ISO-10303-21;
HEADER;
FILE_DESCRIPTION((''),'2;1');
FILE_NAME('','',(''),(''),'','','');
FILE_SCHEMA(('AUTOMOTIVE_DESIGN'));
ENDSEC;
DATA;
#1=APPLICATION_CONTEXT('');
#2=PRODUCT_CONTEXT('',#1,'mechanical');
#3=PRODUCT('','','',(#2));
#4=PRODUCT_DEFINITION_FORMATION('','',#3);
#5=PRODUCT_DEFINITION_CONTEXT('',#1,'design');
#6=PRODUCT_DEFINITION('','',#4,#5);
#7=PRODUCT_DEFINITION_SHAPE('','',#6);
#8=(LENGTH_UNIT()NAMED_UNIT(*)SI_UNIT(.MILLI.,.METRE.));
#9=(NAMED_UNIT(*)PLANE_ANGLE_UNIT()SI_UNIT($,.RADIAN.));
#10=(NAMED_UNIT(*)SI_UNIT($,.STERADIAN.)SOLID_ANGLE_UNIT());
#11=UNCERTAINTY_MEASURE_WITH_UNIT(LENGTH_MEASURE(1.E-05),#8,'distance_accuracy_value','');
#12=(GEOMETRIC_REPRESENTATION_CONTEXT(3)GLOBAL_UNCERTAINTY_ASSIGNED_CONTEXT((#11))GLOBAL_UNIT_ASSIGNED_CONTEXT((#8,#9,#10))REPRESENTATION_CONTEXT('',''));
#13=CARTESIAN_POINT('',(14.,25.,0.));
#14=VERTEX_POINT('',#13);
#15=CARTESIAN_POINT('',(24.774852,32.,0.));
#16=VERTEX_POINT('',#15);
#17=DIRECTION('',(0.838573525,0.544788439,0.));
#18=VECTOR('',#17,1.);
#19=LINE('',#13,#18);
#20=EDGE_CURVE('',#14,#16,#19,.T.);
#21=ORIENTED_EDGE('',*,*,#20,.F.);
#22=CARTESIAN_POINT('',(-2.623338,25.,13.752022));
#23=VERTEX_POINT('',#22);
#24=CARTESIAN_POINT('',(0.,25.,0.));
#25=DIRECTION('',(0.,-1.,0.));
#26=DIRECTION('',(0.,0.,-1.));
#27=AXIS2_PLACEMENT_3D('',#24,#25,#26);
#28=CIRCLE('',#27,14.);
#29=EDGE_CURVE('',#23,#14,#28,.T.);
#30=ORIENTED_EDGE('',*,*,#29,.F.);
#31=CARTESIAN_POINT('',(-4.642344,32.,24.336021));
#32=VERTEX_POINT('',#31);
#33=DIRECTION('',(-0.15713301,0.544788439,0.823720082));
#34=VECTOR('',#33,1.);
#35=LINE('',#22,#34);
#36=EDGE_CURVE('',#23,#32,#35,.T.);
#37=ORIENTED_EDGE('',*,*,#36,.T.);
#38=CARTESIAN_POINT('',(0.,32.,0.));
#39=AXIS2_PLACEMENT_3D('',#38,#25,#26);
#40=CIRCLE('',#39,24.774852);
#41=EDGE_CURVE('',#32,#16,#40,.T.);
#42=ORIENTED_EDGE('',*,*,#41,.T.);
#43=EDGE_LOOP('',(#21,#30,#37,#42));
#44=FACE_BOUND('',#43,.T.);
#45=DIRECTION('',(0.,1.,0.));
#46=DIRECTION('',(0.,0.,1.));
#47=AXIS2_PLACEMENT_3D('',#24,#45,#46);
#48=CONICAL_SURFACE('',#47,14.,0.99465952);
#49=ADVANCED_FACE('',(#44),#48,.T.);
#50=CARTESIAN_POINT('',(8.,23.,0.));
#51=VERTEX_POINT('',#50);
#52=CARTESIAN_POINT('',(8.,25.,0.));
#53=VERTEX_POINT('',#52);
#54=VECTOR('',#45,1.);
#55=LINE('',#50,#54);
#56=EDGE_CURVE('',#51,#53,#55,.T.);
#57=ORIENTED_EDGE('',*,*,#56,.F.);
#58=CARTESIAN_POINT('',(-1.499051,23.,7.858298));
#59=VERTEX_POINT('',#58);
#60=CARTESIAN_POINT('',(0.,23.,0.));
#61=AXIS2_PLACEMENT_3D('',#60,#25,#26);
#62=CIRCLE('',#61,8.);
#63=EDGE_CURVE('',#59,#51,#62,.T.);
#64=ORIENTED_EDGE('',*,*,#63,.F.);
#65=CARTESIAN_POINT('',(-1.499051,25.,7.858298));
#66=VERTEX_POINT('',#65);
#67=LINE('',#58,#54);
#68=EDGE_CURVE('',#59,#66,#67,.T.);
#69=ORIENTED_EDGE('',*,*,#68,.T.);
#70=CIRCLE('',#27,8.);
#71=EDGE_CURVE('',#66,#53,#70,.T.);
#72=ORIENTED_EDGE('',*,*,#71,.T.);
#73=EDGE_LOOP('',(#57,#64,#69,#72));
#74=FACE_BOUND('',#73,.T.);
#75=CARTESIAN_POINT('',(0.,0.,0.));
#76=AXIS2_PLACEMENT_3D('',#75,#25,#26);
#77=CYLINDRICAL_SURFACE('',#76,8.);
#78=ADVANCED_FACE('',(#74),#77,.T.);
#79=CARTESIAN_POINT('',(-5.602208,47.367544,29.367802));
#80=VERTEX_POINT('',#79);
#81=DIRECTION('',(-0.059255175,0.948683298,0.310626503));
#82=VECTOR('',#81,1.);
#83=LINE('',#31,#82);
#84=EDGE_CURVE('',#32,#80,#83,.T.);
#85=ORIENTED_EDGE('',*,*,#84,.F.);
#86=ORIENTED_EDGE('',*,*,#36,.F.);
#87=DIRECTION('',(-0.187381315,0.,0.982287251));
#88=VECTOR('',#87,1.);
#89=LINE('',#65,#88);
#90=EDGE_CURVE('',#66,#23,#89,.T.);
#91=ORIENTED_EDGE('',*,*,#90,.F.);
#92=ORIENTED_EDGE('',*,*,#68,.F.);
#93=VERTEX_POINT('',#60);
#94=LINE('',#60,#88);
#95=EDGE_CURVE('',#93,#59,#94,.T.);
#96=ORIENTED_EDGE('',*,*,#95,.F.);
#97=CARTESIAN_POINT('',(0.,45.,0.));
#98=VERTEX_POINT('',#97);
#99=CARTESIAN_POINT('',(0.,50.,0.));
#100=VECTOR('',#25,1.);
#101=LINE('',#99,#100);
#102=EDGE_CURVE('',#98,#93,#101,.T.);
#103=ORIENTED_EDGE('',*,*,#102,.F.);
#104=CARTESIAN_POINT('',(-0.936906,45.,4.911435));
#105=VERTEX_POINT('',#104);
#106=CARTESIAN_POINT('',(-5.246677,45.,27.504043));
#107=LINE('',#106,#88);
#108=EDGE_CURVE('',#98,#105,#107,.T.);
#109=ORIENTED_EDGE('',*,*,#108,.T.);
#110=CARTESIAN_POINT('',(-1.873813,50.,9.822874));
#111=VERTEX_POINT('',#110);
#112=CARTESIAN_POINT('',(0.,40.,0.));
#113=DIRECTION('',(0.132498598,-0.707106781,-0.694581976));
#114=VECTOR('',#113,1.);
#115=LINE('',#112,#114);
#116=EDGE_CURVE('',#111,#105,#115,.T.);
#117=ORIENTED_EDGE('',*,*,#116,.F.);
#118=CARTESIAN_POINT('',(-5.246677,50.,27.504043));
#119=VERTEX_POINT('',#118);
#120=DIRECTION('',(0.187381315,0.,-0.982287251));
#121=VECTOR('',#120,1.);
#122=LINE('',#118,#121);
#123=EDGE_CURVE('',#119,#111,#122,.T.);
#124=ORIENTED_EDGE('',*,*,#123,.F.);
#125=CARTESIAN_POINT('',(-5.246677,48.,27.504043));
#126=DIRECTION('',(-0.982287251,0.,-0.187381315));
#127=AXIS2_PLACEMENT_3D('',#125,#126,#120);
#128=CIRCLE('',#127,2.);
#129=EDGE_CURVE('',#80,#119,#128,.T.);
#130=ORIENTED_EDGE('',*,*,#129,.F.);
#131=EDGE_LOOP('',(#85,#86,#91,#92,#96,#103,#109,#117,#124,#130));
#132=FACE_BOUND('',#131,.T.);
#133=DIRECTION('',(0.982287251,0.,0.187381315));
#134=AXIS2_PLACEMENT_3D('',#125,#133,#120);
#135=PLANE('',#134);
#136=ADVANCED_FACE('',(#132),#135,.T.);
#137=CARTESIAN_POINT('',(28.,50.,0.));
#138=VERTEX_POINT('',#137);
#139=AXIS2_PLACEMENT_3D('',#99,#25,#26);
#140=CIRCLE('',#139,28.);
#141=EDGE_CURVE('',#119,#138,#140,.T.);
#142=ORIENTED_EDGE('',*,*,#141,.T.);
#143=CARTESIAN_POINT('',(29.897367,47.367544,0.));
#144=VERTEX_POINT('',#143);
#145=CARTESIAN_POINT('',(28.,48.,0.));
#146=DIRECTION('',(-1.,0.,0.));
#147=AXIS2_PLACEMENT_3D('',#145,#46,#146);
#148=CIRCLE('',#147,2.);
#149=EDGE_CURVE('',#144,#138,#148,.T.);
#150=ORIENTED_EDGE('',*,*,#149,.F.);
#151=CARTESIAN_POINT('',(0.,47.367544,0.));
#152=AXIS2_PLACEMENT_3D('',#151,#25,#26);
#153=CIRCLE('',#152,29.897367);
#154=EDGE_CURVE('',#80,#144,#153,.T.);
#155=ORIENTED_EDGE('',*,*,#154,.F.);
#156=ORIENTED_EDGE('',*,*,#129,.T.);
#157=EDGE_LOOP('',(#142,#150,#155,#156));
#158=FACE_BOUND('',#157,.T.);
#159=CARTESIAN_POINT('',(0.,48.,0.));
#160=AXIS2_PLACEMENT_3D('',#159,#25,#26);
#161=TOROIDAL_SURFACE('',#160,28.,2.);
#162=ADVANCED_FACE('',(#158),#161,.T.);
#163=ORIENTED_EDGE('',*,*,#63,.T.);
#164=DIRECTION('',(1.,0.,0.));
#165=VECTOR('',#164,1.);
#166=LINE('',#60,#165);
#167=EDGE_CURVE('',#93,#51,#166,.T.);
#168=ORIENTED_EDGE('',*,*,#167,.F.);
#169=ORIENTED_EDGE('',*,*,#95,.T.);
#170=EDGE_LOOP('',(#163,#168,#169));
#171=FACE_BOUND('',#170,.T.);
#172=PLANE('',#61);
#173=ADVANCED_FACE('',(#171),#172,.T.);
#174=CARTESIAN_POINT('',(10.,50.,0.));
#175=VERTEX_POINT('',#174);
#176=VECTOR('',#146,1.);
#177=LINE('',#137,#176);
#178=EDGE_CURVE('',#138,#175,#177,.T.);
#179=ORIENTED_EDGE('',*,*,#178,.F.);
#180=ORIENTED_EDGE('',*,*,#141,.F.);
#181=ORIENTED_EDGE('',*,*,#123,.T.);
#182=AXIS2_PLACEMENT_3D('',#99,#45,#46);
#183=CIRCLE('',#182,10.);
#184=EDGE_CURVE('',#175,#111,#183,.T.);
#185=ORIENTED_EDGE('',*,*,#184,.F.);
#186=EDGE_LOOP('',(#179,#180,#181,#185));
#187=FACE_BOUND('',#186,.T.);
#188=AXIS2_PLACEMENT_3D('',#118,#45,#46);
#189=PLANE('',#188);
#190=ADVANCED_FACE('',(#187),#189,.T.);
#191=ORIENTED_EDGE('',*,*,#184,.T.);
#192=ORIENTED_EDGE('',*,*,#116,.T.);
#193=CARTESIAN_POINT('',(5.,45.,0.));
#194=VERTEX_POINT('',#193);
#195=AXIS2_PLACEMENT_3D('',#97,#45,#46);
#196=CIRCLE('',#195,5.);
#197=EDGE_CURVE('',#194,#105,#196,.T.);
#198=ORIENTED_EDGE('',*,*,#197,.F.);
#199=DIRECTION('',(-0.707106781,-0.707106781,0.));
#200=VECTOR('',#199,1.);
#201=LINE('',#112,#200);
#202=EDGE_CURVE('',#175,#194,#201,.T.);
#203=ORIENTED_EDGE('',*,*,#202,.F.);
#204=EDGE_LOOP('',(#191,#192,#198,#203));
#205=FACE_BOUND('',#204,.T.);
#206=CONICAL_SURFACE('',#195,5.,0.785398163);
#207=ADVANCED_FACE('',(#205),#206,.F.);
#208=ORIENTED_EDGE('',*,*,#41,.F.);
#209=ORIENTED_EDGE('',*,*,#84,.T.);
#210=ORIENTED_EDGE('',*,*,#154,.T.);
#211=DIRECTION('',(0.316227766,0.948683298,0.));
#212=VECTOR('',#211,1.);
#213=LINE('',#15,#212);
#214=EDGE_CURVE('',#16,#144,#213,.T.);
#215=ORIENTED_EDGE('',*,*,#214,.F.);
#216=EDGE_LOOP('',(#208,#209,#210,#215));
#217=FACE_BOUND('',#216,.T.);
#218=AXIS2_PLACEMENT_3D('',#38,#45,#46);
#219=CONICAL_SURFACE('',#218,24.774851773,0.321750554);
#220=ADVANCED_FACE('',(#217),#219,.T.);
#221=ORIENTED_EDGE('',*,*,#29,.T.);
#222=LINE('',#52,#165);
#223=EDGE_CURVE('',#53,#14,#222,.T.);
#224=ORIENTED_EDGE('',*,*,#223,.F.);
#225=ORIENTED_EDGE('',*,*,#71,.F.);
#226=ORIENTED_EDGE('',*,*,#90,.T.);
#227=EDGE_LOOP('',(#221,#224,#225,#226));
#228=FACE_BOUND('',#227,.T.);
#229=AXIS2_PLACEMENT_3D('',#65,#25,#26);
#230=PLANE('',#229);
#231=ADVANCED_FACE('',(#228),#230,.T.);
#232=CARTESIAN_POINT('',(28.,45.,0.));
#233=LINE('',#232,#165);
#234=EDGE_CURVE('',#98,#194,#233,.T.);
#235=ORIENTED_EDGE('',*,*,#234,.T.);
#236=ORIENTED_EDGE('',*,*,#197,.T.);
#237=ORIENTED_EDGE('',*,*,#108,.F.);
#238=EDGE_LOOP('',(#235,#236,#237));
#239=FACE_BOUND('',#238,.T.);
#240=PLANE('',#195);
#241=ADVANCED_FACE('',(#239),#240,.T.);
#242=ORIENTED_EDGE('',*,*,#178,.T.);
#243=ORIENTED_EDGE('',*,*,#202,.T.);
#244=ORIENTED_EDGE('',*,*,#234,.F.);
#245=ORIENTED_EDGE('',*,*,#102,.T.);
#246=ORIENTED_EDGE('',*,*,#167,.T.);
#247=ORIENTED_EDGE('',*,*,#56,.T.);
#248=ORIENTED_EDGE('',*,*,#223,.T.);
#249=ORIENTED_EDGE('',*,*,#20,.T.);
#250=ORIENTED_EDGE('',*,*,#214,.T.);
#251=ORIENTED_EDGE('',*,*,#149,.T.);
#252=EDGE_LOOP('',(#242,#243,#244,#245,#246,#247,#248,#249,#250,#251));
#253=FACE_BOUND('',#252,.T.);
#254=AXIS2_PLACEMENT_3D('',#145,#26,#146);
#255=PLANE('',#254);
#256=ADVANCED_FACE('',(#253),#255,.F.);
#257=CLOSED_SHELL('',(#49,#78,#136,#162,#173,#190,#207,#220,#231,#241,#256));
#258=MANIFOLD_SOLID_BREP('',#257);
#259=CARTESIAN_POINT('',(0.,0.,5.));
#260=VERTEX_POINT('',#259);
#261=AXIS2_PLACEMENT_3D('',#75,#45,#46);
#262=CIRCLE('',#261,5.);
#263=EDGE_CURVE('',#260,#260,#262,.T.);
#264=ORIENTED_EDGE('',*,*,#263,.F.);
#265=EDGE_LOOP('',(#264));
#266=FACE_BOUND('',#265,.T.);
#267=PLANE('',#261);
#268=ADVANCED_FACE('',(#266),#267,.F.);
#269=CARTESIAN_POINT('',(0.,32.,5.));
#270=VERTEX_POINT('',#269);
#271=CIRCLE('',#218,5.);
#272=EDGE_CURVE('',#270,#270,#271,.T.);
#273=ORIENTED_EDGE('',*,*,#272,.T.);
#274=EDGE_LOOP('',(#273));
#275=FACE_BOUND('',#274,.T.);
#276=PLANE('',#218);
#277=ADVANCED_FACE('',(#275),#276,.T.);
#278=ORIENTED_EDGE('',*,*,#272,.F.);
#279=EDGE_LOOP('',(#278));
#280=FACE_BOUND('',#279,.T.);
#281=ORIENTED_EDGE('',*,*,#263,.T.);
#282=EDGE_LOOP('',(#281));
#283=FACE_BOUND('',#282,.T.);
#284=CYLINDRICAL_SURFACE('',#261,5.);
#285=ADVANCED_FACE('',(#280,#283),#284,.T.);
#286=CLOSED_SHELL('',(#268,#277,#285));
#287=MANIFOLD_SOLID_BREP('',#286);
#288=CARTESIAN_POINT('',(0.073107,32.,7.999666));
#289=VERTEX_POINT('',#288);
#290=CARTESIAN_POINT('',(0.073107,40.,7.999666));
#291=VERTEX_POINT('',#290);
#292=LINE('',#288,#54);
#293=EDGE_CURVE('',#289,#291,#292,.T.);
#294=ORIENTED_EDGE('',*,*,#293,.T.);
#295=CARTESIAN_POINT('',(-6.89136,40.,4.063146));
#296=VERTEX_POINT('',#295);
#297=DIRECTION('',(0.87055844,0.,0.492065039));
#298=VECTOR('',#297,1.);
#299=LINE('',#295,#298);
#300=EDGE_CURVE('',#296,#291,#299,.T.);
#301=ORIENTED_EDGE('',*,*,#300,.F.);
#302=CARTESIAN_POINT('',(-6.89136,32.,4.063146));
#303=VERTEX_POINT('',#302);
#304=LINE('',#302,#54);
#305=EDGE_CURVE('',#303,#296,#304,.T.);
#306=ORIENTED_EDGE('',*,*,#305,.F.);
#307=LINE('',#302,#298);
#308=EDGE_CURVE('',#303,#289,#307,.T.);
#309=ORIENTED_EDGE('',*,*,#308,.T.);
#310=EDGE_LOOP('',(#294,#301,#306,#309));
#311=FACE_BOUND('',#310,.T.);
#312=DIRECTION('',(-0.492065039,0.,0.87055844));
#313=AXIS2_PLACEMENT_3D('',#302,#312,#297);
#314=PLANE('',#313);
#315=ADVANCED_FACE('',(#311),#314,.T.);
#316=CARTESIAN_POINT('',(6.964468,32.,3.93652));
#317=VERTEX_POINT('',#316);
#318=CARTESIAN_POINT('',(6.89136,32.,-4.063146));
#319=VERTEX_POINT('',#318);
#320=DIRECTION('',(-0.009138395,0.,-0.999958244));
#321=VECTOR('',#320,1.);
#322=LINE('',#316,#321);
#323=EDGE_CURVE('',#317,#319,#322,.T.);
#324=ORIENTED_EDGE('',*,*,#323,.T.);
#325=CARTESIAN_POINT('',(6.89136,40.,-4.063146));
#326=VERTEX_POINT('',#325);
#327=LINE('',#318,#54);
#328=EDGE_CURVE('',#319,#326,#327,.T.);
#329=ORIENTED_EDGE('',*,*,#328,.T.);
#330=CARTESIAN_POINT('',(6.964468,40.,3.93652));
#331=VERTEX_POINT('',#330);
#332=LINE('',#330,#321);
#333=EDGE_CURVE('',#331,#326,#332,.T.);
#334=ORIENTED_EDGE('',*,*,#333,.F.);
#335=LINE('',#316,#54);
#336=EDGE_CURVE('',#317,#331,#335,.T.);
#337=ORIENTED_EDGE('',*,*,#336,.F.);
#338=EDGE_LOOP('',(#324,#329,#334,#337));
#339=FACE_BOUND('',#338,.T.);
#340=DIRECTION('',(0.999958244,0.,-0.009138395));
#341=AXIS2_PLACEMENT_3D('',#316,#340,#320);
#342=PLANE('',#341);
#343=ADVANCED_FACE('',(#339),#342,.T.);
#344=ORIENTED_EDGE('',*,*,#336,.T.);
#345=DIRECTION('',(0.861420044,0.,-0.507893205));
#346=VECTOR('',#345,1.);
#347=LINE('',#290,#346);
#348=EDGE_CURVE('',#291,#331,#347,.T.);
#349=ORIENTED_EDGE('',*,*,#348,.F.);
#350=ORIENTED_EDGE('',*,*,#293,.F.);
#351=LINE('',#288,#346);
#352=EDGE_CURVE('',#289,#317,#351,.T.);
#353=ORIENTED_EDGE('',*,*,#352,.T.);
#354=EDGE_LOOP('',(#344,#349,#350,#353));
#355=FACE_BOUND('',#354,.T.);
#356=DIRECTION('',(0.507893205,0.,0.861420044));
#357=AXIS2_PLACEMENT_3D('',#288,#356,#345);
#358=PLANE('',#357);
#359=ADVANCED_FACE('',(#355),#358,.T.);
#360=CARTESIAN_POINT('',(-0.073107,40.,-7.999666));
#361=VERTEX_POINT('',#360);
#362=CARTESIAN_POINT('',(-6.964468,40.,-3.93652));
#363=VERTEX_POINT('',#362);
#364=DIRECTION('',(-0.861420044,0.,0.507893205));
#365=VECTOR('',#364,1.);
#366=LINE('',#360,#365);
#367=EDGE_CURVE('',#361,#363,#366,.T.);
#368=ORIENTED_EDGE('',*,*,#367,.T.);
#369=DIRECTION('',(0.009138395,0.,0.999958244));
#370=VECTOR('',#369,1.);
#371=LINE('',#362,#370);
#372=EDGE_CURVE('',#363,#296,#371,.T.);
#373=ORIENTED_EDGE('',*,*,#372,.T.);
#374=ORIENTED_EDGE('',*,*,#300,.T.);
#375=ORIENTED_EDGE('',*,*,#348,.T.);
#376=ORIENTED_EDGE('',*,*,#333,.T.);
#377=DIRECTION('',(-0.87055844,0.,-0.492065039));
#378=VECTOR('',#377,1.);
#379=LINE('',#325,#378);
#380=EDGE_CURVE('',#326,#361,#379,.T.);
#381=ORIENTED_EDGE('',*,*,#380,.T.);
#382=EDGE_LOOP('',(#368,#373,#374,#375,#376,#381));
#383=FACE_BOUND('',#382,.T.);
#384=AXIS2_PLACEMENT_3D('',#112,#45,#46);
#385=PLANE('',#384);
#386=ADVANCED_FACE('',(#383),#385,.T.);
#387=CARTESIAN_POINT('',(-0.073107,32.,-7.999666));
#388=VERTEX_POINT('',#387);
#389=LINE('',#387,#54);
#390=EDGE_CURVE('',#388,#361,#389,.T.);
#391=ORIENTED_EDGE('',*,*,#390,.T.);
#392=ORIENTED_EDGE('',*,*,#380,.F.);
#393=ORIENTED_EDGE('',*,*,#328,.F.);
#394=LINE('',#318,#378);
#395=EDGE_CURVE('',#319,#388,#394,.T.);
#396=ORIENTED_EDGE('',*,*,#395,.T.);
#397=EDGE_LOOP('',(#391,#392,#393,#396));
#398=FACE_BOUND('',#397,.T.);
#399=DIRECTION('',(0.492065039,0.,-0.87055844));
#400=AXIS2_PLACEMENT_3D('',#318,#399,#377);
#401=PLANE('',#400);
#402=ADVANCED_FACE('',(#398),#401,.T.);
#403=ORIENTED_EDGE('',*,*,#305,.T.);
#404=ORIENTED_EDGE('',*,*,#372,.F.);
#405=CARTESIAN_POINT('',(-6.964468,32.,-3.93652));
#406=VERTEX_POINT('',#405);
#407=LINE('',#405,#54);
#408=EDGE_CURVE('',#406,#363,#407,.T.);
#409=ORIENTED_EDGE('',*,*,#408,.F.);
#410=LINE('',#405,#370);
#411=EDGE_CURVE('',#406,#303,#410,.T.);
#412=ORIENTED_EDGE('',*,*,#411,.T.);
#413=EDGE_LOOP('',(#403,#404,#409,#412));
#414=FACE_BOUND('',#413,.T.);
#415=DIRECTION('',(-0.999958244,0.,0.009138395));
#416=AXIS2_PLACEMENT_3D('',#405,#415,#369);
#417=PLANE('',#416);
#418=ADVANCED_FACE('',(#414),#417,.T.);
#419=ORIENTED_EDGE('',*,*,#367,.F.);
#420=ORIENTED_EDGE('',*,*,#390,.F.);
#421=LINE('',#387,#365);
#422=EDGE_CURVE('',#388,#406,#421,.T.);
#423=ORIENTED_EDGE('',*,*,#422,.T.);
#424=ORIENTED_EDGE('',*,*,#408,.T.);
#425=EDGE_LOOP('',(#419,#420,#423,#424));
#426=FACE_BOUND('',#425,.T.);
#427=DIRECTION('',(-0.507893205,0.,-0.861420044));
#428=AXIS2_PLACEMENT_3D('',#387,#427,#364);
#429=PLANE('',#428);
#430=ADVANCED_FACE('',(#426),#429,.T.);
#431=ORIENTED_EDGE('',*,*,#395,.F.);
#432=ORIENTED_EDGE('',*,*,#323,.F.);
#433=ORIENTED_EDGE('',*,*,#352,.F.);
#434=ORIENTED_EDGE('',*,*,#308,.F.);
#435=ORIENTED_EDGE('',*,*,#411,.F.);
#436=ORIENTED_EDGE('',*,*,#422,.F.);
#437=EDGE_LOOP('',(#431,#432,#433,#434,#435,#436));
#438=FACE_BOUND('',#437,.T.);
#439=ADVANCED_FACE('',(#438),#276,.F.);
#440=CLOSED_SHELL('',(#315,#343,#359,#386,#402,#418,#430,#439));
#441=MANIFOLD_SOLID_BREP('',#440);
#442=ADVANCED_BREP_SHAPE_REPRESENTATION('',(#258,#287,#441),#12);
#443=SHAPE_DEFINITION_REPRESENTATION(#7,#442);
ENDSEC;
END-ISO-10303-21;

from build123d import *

# Parameters (mm, degrees)
REVOLVE_2_ANGLE = 259.2
SKETCH_5_R      = 10
SKETCH_6_R      = 5
EXTRUDE_1_DEPTH = 8
SKETCH_8_R      = 5
EXTRUDE_2_DEPTH = 32


with BuildPart() as part:
    # Эскиз4 → Повернуть2 (revolve)
    with BuildSketch(Plane.XY):
        with BuildLine():
            Line((0, 23), (8, 23))
            Line((8, 23), (8, 25))
            Line((8, 25), (14, 25))
            Line((14, 25), (24.774851773, 32))
            Line((24.774851773, 32), (29.897366596, 47.367544468))
            ThreePointArc((29.897366596, 47.367544468), (29.62248437, 49.169420569), (28, 50))
            Line((28, 50), (0, 50))
            Line((0, 50), (0, 23))
        make_face()
    revolve(axis=Axis((0, 0, 0), (0, 1, 0)), revolution_arc=REVOLVE_2_ANGLE)

    # Эскиз5 → Вырез-По сечениям1 section 0
    with BuildSketch(Plane(origin=(0, 50, 0), x_dir=(1, 0, 0), z_dir=(0, 1, 0))):
        Circle(SKETCH_5_R)
    # Эскиз6 → Вырез-По сечениям1 section 1
    with BuildSketch(Plane(origin=(0, 45, 0), x_dir=(1, 0, 0), z_dir=(0, 1, 0))):
        Circle(SKETCH_6_R)
    loft(mode=Mode.SUBTRACT)


with BuildPart() as body_2:
    # Эскиз7 → Бобышка-Вытянуть1 (new body)
    with BuildSketch(Plane(origin=(0, 40, 0), x_dir=(1, 0, 0), z_dir=(0, 1, 0))):
        Polygon((-0.073107163, 7.999665952), (-6.964467518, 3.936520315), (-6.891360355, -4.063145636), (0.073107163, -7.999665952), (6.964467518, -3.936520315), (6.891360355, 4.063145636), align=None)
    extrude(amount=-EXTRUDE_1_DEPTH)


with BuildPart() as body_3:
    # Эскиз8 → Бобышка-Вытянуть2 (new body)
    with BuildSketch(Plane(origin=(0, 32, 0), x_dir=(1, 0, 0), z_dir=(0, 1, 0))):
        Circle(SKETCH_8_R)
    extrude(amount=-EXTRUDE_2_DEPTH)


solid = Compound([part.part, body_2.part, body_3.part])
